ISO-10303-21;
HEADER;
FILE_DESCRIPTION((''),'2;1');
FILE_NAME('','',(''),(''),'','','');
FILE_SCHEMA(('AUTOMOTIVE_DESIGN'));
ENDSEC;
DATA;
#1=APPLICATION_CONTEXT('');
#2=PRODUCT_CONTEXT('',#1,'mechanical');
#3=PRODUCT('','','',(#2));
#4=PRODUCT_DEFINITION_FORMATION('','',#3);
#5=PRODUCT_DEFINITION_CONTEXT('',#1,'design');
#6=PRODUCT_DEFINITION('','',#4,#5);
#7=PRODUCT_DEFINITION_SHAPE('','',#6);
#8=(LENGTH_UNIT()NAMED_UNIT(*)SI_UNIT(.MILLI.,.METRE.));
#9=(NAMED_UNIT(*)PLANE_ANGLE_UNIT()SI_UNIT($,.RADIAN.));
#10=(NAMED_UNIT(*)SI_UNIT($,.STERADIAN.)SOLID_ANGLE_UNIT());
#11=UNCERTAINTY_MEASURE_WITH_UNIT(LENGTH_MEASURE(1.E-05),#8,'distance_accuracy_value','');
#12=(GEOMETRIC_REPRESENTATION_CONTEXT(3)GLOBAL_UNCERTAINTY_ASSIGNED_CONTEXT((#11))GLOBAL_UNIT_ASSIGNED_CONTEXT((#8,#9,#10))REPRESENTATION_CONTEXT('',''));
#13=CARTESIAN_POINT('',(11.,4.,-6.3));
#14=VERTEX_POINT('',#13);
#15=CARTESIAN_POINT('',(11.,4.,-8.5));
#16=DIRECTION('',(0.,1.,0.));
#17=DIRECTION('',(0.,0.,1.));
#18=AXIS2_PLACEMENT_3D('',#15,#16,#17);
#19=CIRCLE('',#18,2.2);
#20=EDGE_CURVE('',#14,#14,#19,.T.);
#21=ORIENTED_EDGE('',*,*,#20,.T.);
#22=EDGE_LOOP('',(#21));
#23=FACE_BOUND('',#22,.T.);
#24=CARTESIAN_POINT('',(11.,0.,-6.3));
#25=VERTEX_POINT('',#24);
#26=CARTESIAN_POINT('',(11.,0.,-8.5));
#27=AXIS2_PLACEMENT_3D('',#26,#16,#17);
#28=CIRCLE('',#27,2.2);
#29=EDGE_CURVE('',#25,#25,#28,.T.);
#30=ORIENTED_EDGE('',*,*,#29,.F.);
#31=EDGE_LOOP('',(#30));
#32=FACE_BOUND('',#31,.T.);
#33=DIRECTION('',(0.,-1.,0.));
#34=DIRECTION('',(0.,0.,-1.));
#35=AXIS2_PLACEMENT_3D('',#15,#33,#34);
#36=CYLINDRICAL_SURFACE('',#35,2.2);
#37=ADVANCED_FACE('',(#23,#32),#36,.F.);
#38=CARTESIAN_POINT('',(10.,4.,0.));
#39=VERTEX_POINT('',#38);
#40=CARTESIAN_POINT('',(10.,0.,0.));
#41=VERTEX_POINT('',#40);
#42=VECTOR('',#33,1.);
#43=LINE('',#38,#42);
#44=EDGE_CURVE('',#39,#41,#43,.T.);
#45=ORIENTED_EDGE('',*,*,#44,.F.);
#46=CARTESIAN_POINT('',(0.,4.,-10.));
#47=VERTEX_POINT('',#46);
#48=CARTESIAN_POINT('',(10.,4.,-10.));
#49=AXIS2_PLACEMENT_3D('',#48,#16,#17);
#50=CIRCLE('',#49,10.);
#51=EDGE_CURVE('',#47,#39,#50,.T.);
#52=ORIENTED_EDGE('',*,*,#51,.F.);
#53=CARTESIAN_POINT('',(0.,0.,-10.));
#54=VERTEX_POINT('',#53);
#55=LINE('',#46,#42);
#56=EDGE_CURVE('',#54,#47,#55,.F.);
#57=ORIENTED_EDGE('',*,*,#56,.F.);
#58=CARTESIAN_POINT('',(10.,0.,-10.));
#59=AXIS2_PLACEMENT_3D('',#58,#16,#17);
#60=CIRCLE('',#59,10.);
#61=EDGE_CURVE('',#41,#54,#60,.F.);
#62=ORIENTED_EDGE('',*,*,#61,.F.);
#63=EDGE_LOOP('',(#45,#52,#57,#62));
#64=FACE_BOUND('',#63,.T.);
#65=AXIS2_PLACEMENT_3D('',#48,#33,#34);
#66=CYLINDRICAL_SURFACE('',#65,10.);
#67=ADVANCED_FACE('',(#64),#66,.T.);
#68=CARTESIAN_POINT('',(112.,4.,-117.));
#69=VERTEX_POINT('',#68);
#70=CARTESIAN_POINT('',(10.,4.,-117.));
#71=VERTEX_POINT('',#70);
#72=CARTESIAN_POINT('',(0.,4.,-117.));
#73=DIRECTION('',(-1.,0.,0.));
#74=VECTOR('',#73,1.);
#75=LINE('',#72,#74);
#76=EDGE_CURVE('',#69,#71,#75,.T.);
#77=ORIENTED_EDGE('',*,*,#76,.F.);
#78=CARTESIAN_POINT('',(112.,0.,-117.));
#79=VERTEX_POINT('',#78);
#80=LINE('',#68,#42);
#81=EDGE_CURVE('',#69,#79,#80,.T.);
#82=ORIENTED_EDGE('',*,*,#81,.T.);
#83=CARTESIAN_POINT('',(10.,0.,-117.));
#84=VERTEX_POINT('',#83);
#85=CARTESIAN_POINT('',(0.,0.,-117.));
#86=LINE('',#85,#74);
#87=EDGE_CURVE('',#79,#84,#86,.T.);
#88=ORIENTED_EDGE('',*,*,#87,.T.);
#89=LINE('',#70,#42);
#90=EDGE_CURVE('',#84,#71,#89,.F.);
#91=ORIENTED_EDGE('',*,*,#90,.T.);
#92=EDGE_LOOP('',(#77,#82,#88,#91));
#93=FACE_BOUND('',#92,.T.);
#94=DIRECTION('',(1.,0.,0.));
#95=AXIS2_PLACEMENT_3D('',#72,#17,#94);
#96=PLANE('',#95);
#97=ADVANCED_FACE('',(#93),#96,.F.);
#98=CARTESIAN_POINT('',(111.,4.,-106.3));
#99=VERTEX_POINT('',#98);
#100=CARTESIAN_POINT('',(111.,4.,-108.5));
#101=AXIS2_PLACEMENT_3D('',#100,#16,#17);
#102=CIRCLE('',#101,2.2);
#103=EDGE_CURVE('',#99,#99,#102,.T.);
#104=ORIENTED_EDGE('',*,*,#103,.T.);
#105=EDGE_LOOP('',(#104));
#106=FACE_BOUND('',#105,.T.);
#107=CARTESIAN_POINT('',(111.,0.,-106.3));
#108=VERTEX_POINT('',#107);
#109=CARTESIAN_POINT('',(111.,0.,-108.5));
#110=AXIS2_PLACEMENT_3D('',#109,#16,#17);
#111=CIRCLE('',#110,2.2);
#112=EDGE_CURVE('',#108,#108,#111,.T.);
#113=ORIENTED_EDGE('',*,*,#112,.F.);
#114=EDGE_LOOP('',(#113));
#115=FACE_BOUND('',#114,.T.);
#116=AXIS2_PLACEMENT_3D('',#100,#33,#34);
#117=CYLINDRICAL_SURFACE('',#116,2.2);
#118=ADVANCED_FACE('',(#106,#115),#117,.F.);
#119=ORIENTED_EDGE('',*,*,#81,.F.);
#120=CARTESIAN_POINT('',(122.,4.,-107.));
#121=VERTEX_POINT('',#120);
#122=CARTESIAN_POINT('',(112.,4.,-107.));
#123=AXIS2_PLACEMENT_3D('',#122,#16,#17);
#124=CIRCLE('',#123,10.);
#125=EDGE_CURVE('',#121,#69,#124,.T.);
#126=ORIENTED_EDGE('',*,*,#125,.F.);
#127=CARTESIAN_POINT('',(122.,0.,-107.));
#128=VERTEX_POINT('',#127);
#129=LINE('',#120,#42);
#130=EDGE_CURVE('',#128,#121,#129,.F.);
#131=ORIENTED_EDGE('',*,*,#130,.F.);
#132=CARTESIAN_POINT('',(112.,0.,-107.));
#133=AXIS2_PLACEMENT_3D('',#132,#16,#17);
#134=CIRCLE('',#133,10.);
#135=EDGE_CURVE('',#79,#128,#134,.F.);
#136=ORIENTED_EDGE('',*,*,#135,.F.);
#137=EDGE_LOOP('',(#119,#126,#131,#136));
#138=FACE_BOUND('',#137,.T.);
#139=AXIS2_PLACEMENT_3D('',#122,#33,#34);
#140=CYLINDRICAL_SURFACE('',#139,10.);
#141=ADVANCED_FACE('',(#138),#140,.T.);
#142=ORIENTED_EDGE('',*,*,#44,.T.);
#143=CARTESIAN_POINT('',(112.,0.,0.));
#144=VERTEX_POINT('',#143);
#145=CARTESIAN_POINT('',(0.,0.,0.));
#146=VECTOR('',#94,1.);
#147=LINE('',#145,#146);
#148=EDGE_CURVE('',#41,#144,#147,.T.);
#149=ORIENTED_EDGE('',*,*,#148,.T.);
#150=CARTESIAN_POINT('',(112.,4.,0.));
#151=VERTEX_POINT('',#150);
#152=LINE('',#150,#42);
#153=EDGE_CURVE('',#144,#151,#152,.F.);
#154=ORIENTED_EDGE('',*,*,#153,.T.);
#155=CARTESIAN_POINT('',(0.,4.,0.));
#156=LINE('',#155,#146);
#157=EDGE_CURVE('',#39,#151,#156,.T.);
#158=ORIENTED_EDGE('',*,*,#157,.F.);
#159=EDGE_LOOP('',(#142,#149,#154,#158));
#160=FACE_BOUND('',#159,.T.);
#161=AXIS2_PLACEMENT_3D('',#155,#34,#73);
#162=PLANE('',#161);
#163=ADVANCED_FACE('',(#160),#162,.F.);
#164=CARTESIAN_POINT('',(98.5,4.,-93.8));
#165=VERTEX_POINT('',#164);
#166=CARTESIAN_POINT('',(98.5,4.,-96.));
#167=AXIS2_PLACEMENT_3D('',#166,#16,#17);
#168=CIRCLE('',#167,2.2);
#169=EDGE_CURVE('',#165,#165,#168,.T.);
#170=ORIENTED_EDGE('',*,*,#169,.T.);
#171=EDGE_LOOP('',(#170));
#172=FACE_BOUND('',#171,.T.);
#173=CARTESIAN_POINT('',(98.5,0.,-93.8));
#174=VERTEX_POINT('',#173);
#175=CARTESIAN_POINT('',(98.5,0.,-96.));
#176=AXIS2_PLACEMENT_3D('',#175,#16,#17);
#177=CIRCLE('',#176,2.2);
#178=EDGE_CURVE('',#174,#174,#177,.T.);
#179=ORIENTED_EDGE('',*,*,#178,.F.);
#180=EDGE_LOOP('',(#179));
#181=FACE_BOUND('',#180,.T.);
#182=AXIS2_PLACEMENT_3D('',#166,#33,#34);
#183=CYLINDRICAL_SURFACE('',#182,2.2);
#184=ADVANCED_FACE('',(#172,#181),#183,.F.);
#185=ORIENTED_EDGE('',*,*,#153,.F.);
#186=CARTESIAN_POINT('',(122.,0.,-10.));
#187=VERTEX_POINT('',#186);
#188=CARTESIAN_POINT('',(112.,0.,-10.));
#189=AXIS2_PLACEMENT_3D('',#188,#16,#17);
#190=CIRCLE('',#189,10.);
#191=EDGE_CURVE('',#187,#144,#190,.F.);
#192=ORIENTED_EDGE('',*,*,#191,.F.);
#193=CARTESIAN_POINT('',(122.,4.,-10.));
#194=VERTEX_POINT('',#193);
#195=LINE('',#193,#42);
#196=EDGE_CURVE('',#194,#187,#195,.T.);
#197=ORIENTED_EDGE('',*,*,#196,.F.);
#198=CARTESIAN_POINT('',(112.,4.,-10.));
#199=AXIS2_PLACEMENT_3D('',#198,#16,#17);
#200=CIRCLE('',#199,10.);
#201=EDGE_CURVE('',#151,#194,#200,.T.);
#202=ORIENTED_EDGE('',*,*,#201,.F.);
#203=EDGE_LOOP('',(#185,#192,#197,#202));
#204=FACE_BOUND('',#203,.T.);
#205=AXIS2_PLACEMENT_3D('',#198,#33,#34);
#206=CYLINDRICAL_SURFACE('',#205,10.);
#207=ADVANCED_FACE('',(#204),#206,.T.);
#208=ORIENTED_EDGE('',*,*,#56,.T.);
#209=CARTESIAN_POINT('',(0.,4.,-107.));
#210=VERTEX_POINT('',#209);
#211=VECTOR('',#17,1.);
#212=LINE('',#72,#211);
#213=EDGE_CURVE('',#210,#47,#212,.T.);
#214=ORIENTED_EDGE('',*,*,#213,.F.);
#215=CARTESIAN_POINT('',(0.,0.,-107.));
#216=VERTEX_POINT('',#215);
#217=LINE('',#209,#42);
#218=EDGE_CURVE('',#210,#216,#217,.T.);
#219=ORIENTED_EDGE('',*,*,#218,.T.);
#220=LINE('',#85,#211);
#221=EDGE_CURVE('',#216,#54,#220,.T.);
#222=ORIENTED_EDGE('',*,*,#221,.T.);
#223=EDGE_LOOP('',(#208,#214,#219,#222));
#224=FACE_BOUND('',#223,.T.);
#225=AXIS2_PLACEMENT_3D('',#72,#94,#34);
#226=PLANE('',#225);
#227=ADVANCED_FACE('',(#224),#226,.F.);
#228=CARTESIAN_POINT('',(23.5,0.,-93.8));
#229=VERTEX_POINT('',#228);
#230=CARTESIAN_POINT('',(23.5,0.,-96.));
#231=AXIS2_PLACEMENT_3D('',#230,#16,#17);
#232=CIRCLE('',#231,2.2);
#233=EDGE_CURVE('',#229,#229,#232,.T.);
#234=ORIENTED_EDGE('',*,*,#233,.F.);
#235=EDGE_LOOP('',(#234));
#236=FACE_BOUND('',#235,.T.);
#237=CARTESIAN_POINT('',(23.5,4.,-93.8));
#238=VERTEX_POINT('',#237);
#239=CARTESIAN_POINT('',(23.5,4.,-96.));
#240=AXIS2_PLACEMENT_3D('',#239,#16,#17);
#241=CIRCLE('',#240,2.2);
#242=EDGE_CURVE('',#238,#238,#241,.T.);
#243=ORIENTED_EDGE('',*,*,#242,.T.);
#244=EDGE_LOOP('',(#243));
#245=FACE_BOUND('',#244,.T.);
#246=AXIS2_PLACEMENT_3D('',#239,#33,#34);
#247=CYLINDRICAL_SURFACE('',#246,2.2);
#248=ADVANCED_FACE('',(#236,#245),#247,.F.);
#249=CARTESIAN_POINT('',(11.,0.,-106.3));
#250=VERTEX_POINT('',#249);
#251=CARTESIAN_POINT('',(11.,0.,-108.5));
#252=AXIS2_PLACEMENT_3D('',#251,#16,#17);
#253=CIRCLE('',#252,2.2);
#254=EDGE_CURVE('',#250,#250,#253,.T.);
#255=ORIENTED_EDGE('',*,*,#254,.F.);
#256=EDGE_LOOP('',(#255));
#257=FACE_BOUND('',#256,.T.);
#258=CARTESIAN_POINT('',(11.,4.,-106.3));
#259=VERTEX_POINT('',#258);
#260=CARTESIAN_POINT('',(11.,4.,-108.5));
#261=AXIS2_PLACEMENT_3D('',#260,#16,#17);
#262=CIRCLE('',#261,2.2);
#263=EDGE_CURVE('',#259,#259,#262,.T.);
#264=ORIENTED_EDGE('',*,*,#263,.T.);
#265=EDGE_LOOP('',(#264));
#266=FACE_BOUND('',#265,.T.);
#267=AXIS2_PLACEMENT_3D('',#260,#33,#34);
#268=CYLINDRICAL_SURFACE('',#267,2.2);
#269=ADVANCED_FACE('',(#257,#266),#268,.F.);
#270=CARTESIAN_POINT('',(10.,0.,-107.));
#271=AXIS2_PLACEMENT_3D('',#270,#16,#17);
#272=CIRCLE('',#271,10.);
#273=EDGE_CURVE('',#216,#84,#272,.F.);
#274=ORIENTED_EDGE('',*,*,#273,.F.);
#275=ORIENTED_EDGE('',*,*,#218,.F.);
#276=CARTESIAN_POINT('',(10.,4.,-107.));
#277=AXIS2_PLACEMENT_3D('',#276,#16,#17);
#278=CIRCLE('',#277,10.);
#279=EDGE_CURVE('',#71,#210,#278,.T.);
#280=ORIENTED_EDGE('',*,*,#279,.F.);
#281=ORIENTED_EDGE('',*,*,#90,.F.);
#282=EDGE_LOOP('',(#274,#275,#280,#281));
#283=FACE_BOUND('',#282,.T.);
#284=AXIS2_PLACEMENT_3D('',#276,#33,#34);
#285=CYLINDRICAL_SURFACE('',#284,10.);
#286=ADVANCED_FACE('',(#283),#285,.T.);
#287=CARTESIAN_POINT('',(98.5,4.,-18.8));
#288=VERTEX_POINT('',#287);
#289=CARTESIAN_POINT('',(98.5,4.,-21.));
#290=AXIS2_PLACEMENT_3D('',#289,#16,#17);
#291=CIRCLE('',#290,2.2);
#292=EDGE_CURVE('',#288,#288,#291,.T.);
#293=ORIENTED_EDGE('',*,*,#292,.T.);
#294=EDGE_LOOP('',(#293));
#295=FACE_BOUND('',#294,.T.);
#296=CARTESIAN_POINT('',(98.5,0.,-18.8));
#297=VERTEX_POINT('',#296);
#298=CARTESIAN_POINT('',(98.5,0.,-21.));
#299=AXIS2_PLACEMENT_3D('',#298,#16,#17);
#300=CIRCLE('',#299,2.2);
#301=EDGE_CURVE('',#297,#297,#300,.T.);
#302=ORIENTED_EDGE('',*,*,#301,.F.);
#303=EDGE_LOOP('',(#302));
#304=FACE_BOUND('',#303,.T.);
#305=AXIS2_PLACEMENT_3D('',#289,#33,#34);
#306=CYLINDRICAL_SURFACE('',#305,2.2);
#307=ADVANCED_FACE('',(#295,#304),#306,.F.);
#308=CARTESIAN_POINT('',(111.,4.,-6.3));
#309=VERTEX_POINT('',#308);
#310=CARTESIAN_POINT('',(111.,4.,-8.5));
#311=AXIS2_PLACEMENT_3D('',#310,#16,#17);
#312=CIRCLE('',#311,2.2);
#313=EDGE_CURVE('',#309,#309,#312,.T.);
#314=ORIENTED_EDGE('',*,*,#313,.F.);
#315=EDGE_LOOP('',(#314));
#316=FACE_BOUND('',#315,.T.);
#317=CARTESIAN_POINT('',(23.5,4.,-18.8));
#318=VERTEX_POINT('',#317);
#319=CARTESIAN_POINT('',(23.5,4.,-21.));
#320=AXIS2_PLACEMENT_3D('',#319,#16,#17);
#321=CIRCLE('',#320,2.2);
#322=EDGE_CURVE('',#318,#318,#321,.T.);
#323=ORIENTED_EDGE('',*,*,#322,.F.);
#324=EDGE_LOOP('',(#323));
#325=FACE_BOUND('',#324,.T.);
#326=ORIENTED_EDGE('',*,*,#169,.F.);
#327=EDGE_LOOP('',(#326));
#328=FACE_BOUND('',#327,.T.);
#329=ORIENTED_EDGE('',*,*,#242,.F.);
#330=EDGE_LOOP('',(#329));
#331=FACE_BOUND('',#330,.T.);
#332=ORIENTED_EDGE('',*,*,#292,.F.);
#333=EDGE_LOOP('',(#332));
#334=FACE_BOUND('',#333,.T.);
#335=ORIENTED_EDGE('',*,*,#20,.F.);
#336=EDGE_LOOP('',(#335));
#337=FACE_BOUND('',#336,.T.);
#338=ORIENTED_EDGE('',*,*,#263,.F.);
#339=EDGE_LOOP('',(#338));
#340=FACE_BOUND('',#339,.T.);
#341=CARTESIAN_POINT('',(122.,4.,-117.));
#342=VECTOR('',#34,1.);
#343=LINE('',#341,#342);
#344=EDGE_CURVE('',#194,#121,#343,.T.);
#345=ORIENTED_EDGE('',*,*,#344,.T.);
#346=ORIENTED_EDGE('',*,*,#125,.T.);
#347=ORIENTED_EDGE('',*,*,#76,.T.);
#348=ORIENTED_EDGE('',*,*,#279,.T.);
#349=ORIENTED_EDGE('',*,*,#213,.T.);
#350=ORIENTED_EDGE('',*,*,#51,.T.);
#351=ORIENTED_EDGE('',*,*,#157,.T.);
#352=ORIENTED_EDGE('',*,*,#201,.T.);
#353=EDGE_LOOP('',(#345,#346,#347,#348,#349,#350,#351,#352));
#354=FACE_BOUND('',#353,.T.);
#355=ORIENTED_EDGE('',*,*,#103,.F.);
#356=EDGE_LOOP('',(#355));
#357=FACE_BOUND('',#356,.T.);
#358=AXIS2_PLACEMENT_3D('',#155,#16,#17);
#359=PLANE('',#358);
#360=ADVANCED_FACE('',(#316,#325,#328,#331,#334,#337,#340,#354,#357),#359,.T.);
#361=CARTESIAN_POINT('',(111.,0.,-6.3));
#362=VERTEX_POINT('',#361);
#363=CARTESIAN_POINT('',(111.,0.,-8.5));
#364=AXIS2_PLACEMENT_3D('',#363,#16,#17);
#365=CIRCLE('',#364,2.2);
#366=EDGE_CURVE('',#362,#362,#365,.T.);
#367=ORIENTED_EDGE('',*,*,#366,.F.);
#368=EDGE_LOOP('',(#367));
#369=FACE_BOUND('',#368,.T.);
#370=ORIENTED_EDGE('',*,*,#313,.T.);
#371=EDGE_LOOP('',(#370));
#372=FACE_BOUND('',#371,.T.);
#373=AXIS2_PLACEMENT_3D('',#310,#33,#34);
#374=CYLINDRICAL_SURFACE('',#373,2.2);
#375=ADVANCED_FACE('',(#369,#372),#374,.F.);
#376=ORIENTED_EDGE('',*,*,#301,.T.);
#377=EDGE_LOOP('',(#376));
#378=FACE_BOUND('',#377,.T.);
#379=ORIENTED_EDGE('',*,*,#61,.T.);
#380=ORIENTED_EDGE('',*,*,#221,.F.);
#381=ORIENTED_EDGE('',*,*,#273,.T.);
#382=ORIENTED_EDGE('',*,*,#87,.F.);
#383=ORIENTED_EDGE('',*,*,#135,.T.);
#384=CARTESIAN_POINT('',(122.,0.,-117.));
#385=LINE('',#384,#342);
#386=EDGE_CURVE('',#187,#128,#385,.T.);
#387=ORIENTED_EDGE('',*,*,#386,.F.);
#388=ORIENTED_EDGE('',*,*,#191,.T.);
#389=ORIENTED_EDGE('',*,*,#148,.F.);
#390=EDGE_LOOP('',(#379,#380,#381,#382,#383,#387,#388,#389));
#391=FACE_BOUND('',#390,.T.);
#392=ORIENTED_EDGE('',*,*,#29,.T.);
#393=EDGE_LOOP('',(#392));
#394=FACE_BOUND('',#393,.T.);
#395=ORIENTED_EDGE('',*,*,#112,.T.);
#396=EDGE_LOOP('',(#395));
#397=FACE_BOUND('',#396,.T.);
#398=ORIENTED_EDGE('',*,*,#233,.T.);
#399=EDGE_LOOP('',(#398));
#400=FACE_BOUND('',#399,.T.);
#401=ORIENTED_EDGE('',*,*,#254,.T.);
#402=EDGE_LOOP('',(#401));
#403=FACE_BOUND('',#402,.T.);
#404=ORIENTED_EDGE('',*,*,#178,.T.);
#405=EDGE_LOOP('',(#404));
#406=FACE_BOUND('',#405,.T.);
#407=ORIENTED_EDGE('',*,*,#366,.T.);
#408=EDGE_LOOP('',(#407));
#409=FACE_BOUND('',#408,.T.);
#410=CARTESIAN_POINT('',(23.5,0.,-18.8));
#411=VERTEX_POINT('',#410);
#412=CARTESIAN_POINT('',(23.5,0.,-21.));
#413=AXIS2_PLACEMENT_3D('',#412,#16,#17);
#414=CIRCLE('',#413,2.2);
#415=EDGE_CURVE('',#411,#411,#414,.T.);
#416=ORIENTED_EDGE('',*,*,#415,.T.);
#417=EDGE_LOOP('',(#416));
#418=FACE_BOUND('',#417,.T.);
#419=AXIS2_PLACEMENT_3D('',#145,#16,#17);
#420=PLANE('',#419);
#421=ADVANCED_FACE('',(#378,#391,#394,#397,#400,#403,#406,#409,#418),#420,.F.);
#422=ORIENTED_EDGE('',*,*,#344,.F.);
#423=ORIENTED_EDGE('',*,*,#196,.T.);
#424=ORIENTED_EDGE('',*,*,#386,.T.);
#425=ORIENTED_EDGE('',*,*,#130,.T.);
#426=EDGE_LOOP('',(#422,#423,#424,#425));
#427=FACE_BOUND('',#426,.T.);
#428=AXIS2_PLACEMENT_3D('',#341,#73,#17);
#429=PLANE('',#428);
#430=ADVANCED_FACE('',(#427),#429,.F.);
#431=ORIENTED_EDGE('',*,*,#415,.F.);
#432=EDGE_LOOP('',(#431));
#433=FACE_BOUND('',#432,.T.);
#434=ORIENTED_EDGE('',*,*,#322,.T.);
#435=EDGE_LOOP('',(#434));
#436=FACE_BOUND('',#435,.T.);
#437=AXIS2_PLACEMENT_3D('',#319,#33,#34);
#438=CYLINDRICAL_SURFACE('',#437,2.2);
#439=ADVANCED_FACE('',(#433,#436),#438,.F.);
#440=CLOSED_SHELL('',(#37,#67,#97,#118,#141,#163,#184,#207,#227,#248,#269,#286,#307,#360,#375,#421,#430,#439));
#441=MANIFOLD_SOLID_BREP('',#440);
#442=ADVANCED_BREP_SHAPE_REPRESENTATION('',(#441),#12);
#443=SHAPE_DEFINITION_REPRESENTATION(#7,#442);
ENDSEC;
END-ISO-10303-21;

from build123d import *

# Parameters (mm, degrees)
SKETCH1_W           = 122
SKETCH1_H           = 117
SKETCH1_R           = 2.2
BOSS_EXTRUDE1_DEPTH = 4
FILLET1_R           = 10


with BuildPart() as part:
    # Sketch1 → Boss-Extrude1 (new body)
    with BuildSketch(Plane(origin=(0, 0, 0), x_dir=(1, 0, 0), z_dir=(0, 1, 0))):
        with Locations((61, 58.5)):
            Rectangle(SKETCH1_W, SKETCH1_H)
        with Locations(Location((111, 108.5, 0), (0, 0, 270))):
            Circle(SKETCH1_R, mode=Mode.SUBTRACT)
        with Locations(Location((11, 108.5, 0), (0, 0, 270))):
            Circle(SKETCH1_R, mode=Mode.SUBTRACT)
        with Locations(Location((11, 8.5, 0), (0, 0, 270))):
            Circle(SKETCH1_R, mode=Mode.SUBTRACT)
        with Locations(Location((111, 8.5, 0), (0, 0, 270))):
            Circle(SKETCH1_R, mode=Mode.SUBTRACT)
        with Locations(Location((98.5, 96, 0), (0, 0, 270))):
            Circle(SKETCH1_R, mode=Mode.SUBTRACT)
        with Locations(Location((23.5, 96, 0), (0, 0, 270))):
            Circle(SKETCH1_R, mode=Mode.SUBTRACT)
        with Locations(Location((23.5, 21, 0), (0, 0, 270))):
            Circle(SKETCH1_R, mode=Mode.SUBTRACT)
        with Locations(Location((98.5, 21, 0), (0, 0, 270))):
            Circle(SKETCH1_R, mode=Mode.SUBTRACT)
    extrude(amount=BOSS_EXTRUDE1_DEPTH)

    # Fillet1
    fillet1_edges = [part.edges().sort_by_distance(p)[0] for p in [
        (0, 2, -117),
        (122, 2, -117),
        (122, 2, 0),
        (0, 2, 0),
    ]]
    fillet(fillet1_edges, radius=FILLET1_R)


solid = part.part
